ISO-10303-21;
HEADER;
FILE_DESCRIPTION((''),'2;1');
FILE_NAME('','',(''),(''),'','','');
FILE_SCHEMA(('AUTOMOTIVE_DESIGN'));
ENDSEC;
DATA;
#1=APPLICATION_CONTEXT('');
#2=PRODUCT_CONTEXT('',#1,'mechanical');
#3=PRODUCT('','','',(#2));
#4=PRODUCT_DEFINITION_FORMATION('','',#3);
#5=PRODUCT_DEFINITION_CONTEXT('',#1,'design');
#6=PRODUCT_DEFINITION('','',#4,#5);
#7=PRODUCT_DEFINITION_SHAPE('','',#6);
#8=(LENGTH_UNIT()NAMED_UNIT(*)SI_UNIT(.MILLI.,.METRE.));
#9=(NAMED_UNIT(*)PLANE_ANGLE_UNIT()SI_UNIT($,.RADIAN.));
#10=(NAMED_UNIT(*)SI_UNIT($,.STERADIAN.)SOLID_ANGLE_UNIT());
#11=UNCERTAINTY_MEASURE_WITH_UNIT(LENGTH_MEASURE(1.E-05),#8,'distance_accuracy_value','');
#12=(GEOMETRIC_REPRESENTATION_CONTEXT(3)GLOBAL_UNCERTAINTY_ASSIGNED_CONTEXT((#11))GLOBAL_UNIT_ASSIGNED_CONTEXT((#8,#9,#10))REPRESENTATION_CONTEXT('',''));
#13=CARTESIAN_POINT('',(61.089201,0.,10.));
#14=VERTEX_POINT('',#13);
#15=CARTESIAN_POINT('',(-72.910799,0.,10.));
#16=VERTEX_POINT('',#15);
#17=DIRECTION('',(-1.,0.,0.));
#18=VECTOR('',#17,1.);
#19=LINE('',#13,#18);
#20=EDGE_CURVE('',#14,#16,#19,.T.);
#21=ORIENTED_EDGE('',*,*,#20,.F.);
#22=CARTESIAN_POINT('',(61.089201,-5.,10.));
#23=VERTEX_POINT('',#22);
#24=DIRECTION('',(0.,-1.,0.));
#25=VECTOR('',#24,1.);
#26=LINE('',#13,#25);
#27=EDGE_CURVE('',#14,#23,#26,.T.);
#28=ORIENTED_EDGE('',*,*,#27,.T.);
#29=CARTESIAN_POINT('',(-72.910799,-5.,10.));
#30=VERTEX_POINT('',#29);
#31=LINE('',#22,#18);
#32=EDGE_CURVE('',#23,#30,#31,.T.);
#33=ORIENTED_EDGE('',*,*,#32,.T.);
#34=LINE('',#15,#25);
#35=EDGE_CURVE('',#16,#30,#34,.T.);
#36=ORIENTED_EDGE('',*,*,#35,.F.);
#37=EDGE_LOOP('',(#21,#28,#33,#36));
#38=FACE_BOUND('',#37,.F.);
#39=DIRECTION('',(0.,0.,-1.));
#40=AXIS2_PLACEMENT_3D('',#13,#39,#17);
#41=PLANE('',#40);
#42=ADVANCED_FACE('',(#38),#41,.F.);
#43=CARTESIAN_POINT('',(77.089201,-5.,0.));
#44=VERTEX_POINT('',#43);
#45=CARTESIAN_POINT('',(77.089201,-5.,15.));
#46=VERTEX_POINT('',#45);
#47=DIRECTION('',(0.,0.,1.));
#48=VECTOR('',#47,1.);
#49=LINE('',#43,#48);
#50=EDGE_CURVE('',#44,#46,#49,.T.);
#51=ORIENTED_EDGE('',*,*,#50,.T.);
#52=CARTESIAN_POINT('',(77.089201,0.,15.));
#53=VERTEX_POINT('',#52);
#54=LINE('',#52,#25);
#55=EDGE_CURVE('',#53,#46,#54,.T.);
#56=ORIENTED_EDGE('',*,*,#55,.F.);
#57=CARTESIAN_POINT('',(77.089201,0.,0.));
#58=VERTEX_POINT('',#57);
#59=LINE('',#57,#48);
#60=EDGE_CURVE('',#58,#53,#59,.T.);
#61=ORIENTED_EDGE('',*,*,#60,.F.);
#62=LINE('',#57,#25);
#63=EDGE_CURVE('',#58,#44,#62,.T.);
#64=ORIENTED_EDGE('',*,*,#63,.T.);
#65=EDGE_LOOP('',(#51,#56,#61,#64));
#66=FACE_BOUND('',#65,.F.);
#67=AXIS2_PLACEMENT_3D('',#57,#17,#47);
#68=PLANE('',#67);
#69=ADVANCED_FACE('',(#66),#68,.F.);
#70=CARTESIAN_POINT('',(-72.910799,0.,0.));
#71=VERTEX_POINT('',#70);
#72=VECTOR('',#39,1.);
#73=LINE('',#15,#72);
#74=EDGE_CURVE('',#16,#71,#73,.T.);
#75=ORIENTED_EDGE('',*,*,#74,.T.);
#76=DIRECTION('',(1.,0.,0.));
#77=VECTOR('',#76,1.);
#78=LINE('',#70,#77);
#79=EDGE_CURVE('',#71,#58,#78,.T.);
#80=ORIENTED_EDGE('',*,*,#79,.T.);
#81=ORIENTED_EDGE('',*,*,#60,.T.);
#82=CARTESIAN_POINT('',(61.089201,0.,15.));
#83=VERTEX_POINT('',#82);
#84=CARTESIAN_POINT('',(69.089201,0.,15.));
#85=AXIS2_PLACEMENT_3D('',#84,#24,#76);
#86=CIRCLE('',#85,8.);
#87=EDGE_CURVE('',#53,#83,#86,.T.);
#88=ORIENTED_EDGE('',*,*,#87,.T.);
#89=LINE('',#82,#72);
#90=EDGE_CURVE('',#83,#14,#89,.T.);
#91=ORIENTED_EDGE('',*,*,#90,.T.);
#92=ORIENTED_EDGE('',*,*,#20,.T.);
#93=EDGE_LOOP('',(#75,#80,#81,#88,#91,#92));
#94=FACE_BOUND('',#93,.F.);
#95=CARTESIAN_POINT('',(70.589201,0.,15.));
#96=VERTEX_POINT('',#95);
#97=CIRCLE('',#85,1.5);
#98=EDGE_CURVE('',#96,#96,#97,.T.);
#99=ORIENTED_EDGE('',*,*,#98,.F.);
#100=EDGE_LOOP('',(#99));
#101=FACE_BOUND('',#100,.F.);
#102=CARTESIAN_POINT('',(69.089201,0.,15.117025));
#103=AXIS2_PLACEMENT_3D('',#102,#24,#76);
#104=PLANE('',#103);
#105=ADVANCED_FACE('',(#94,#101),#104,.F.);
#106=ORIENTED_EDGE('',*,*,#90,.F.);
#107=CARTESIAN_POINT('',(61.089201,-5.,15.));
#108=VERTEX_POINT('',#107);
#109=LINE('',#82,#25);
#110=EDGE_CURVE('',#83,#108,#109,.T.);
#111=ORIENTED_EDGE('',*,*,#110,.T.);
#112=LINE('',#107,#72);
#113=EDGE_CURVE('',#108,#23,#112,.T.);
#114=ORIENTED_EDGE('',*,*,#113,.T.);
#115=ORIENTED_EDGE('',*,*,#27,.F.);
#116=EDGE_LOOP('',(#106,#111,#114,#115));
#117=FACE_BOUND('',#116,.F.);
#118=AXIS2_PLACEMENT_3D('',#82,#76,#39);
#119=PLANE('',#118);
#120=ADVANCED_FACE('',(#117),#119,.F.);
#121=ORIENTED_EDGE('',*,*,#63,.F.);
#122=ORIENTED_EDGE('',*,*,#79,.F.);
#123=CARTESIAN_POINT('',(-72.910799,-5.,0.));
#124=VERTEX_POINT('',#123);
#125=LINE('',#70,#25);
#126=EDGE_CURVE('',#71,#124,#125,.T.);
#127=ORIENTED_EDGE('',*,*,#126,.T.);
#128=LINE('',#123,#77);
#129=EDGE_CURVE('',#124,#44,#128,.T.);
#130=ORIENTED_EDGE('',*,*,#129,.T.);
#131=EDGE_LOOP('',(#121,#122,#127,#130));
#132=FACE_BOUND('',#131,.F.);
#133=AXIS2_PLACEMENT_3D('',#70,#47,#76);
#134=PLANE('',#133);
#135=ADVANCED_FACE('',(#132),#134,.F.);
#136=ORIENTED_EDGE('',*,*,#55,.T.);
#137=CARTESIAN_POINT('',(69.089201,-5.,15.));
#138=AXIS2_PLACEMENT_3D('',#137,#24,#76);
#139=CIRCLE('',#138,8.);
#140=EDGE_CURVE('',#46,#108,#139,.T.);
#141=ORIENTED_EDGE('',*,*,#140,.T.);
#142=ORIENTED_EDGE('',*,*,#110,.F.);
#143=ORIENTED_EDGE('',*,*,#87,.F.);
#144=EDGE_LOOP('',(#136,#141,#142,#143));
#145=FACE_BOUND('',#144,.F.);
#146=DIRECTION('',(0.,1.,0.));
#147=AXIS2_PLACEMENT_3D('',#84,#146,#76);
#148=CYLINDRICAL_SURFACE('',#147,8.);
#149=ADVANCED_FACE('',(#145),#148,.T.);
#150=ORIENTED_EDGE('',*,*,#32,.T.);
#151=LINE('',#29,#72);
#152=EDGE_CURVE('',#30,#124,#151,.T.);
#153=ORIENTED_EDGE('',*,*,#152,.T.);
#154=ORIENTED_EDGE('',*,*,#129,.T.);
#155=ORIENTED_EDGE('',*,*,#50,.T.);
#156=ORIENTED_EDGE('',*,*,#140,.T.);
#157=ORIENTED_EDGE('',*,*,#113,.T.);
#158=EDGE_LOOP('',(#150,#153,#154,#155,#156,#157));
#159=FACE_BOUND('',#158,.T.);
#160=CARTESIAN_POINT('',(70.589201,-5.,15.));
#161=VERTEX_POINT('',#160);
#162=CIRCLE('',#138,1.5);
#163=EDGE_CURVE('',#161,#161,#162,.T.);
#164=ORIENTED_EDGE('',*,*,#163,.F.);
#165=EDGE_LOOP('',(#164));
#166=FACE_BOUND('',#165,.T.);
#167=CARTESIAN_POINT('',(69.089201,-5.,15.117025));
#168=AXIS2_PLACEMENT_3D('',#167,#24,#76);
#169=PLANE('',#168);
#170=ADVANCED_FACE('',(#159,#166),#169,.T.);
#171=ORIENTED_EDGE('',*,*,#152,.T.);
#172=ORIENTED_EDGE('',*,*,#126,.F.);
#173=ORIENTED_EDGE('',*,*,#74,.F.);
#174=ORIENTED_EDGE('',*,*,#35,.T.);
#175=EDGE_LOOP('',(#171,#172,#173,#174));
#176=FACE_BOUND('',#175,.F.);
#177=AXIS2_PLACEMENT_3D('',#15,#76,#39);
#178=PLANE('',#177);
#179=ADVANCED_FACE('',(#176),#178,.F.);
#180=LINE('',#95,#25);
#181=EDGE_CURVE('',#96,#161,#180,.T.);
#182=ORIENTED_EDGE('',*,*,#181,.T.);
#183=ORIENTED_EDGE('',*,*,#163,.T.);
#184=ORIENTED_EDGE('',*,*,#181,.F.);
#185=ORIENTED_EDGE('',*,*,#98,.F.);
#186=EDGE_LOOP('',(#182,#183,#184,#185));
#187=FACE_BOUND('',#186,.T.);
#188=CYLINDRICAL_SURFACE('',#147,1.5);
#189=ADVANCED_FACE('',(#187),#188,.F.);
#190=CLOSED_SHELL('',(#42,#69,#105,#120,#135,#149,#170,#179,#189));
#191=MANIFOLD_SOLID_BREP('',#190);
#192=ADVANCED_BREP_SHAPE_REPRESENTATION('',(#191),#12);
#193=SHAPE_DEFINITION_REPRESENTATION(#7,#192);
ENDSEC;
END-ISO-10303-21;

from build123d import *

# Parameters (mm, degrees)
F0_R     = 1.5
F1_DEPTH = 5


with BuildPart() as f1:
    # F0 (on Front) → F1 (new body)
    with BuildSketch(Plane.XZ):
        with BuildLine():
            Line((61.089201, 10), (77.089201, 10))
            Line((77.089201, 10), (77.089201, 15))
            ThreePointArc((77.089201, 15), (69.089201, 23), (61.089201, 15))
            Line((61.089201, 15), (61.089201, 10))
        make_face()
        with Locations((69.089201, 15)):
            Circle(F0_R, mode=Mode.SUBTRACT)
        Polygon((-72.910799, 10), (-72.910799, 0), (77.089201, 0), (77.089201, 10), (61.089201, 10), align=None)
    extrude(amount=F1_DEPTH)


solid = f1.part
